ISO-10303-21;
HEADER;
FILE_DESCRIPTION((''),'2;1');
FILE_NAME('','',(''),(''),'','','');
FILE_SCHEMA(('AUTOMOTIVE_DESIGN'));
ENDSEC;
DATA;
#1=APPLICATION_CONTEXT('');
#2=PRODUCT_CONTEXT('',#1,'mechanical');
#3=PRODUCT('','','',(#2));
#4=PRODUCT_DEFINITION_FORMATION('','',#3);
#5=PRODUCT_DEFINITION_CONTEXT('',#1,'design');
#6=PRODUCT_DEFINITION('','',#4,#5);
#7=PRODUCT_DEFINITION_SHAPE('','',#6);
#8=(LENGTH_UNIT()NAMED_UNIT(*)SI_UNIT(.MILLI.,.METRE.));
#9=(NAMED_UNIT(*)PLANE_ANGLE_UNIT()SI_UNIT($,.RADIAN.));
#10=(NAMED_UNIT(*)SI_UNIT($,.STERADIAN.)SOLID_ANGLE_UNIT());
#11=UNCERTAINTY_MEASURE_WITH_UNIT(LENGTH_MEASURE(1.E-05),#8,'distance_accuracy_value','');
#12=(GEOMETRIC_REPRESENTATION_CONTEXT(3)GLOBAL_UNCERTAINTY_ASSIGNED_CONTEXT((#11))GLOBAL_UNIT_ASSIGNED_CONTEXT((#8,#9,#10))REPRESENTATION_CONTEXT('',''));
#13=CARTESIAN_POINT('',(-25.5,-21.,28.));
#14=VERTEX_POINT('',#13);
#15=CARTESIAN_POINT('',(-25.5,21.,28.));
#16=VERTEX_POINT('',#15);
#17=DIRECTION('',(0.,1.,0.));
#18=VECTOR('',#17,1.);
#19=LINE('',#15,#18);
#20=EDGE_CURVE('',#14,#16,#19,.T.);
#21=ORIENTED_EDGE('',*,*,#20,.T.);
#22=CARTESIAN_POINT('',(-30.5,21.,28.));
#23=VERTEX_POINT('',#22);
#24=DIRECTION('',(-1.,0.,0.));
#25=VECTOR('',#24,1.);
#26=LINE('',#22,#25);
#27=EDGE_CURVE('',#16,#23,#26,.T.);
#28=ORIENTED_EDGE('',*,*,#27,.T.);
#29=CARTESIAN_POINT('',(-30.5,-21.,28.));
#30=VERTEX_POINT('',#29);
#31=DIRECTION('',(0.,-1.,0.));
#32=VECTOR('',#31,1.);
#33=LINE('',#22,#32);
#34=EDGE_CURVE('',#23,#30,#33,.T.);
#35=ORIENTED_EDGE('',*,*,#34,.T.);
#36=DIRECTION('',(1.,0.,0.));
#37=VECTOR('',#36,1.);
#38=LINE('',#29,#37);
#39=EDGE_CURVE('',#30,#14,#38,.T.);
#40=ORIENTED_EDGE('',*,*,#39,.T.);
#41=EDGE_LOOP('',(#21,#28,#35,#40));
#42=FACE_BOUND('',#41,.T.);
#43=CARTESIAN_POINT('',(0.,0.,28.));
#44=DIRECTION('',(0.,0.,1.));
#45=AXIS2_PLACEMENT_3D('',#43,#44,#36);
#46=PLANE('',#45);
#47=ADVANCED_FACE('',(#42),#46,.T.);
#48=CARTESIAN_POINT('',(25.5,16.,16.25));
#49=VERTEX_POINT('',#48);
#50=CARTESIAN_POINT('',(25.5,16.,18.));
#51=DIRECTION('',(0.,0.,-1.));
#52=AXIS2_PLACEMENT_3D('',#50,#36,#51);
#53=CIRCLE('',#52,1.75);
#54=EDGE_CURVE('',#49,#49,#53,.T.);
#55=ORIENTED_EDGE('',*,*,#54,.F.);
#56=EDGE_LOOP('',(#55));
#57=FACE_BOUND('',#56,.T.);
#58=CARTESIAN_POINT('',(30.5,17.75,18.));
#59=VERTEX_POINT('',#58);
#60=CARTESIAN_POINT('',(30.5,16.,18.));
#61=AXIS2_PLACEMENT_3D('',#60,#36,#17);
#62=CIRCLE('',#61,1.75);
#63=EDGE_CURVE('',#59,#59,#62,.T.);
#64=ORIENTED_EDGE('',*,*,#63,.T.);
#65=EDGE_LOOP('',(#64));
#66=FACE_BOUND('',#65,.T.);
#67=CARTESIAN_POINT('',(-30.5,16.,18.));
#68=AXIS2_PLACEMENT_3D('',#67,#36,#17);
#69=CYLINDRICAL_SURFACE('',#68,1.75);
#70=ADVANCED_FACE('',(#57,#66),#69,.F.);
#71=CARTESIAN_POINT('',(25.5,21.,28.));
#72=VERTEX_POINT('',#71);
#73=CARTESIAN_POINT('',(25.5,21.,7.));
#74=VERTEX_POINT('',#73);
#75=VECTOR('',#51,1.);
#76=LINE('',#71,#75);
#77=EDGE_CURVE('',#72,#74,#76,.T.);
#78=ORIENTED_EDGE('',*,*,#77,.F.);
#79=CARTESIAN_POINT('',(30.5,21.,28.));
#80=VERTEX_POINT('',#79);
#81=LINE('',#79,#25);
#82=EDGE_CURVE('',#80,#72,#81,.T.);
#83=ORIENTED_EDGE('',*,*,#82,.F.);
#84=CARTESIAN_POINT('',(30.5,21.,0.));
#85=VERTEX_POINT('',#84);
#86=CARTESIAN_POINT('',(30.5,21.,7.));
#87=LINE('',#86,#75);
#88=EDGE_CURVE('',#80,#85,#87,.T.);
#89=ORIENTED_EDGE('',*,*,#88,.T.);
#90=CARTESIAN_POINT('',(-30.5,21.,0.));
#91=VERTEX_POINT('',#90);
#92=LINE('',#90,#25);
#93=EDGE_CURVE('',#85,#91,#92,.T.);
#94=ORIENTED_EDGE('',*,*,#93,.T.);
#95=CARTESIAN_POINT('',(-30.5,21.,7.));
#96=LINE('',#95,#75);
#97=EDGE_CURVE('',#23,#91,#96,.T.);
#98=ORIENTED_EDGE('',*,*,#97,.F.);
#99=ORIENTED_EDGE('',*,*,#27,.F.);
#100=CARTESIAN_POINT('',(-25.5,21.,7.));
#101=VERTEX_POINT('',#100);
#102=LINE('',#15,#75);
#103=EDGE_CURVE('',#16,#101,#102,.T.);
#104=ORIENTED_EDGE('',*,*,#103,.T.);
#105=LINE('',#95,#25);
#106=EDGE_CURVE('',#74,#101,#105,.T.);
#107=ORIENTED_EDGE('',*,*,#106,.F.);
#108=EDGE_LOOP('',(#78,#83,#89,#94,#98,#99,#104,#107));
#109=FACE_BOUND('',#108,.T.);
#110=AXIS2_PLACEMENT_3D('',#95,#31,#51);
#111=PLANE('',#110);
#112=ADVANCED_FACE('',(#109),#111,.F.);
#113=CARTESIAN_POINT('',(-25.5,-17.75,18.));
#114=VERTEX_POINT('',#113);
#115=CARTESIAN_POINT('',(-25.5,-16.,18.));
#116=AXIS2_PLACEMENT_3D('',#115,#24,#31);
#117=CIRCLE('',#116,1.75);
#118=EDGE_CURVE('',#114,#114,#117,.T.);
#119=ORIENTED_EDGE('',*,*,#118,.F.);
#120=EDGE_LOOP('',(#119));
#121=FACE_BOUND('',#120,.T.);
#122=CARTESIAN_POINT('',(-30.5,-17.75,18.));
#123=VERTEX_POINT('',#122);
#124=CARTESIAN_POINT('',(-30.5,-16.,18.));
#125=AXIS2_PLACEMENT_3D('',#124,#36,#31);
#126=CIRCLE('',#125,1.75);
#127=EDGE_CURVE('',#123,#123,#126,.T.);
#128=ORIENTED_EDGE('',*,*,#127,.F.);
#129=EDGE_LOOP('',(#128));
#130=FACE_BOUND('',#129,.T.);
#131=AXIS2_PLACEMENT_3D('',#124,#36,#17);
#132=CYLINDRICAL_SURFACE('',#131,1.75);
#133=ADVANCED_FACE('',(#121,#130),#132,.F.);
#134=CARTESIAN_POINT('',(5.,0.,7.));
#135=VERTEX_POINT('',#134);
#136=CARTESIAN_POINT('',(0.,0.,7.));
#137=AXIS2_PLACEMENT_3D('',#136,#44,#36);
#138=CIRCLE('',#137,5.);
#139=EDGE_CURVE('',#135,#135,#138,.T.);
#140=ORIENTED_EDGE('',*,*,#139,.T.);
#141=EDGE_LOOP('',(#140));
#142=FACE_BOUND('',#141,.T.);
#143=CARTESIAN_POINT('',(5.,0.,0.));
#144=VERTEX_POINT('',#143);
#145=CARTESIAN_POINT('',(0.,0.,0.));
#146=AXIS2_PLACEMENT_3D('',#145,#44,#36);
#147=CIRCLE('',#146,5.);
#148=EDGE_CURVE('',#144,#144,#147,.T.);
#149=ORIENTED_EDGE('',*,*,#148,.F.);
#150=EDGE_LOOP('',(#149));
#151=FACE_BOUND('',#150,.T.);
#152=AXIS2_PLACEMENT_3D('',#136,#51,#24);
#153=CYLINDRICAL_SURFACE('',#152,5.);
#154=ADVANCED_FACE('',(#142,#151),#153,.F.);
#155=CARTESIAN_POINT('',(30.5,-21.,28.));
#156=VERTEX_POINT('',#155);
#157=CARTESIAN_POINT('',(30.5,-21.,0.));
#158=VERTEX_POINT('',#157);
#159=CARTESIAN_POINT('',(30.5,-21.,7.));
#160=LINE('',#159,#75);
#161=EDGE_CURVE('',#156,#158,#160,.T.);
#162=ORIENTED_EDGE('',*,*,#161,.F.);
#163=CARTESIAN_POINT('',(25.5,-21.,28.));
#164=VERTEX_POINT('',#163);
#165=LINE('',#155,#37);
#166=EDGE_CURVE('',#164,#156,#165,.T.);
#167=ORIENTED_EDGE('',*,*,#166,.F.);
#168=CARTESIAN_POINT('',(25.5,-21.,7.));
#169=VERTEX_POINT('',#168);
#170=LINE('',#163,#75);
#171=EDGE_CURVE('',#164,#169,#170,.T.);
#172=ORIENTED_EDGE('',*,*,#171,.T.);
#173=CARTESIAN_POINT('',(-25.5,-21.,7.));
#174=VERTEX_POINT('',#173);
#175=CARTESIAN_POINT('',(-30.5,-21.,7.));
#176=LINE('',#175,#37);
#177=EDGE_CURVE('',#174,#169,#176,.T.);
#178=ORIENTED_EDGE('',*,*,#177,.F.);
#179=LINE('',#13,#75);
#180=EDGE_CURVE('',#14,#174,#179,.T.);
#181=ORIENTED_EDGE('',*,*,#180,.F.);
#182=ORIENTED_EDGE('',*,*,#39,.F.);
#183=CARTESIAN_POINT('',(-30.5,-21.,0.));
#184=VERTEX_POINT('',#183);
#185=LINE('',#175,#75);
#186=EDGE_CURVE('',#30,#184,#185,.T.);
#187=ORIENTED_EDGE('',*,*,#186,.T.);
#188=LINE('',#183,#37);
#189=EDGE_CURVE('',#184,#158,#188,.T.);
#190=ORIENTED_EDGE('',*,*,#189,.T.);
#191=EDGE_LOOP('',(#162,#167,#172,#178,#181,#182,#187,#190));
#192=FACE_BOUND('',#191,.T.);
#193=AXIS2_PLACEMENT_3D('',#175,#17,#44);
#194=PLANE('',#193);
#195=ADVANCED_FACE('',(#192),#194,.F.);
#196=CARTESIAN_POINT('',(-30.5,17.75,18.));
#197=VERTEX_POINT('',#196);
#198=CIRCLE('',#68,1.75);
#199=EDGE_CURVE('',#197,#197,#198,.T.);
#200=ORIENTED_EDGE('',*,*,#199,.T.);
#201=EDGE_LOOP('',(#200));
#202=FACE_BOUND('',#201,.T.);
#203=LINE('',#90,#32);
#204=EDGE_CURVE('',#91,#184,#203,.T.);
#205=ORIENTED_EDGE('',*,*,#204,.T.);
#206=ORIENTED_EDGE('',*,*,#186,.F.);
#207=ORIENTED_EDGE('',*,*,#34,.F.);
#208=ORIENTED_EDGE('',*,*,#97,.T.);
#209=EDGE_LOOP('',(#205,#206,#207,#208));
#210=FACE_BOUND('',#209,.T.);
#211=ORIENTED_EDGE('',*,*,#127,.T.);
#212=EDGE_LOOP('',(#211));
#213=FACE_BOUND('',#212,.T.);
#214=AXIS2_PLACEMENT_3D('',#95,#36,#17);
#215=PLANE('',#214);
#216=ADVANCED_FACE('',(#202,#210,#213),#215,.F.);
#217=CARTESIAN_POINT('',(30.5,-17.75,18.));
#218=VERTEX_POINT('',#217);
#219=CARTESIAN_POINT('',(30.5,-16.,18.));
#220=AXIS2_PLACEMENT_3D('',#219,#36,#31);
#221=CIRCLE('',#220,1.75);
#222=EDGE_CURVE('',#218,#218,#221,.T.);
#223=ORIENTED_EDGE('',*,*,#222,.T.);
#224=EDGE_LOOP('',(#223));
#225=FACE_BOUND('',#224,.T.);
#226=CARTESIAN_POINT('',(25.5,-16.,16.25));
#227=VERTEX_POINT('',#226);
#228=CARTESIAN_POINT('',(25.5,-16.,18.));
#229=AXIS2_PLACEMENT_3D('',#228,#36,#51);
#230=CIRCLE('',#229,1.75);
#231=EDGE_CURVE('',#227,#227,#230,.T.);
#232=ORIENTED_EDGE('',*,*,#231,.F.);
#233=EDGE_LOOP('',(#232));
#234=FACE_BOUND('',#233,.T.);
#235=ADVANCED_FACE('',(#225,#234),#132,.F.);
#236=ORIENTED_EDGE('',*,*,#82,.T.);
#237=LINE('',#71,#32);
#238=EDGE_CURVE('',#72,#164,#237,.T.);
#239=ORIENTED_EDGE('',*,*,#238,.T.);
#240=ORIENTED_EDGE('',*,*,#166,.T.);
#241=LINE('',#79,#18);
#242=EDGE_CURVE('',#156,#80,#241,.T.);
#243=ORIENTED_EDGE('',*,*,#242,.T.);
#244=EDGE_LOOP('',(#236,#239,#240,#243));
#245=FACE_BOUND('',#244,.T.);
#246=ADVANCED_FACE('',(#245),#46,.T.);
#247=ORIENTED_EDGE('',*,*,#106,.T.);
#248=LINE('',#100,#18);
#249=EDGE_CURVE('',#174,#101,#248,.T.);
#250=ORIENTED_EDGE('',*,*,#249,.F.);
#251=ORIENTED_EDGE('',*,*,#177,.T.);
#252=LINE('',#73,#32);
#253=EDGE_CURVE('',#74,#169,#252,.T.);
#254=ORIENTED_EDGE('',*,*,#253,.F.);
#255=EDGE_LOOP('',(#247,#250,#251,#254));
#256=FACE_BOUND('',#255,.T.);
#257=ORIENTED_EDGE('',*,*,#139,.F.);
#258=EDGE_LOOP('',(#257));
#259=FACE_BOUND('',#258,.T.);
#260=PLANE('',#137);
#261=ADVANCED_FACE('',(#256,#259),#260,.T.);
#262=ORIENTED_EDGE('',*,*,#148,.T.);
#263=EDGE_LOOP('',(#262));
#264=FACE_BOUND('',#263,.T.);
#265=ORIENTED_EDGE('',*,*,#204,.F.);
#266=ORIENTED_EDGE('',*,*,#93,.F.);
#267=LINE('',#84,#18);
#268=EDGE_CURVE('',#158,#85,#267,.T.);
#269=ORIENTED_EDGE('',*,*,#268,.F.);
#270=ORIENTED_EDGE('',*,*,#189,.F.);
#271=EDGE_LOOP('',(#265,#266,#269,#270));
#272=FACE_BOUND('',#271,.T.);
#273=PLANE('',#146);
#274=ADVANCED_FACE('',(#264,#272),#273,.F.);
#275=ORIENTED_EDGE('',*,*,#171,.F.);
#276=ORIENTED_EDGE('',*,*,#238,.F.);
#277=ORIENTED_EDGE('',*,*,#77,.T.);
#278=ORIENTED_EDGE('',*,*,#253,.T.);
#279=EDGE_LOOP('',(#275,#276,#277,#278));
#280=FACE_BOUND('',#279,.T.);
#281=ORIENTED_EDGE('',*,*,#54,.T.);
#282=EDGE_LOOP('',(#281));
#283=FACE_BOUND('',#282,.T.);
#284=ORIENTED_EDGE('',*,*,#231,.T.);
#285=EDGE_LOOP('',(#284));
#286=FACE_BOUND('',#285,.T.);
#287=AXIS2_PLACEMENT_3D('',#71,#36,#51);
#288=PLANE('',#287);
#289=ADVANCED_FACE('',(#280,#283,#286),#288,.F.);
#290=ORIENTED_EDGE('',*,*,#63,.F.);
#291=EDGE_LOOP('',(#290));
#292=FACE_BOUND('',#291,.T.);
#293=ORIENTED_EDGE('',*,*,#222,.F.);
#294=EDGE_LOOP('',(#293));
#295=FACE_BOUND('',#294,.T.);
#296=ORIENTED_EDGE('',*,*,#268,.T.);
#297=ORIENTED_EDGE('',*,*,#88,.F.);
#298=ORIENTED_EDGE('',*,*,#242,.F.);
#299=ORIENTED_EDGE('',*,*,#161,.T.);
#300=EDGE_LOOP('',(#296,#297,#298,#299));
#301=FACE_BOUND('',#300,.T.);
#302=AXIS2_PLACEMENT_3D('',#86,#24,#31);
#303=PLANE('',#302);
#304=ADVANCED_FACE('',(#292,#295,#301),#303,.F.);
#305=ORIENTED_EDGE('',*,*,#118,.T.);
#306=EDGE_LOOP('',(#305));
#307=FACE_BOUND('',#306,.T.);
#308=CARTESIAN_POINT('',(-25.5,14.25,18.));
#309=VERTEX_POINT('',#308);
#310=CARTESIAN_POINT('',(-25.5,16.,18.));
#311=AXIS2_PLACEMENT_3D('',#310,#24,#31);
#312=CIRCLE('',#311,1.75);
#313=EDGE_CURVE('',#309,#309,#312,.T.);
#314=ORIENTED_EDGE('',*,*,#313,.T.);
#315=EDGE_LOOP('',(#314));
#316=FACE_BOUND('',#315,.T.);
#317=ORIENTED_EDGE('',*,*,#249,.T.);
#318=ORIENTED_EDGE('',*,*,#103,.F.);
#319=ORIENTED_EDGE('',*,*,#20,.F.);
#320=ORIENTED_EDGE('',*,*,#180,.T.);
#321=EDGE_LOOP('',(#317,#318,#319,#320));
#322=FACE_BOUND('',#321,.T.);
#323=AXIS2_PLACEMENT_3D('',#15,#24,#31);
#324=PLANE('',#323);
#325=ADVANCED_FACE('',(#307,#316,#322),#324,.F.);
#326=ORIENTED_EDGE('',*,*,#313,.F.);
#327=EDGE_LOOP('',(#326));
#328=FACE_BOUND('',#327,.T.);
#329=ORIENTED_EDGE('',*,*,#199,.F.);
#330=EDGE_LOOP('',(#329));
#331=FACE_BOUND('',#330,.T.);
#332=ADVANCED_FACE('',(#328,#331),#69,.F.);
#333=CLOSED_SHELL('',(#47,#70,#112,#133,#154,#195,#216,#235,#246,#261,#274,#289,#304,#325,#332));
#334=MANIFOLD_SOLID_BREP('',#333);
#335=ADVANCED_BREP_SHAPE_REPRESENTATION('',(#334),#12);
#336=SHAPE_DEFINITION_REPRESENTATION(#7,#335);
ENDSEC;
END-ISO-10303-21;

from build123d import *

# Parameters (mm, degrees)
SKETCH1_W           = 61
SKETCH1_H           = 42
SKETCH1_R           = 5
BOSS_EXTRUDE1_DEPTH = 7
SKETCH2_W           = 5
SKETCH2_H           = 42
BOSS_EXTRUDE2_DEPTH = 21
SKETCH3_R           = 1.75
CUT_EXTRUDE1_DEPTH  = 71.32780389


with BuildPart() as part:
    # Sketch1 → Boss-Extrude1 (new body)
    with BuildSketch(Plane.XY):
        Rectangle(SKETCH1_W, SKETCH1_H)
        Circle(SKETCH1_R, mode=Mode.SUBTRACT)
    extrude(amount=BOSS_EXTRUDE1_DEPTH)

    # Sketch2 → Boss-Extrude2 (add)
    with BuildSketch(Plane.XY.offset(7)):
        with Locations((-28, 0)):
            Rectangle(SKETCH2_W, SKETCH2_H)
        with Locations((28, 0)):
            Rectangle(SKETCH2_W, SKETCH2_H)
    extrude(amount=BOSS_EXTRUDE2_DEPTH)

    # Sketch3 → Cut-Extrude1 (cut, through all)
    with BuildSketch(Plane(origin=(30.5, 0, 0), x_dir=(0, 0, -1), z_dir=(1, 0, 0))):
        with Locations(Location((-18, 16, 0), (0, 0, 90))):
            Circle(SKETCH3_R)
        with Locations((-18, -16)):
            Circle(SKETCH3_R)
    extrude(amount=-CUT_EXTRUDE1_DEPTH, mode=Mode.SUBTRACT)


solid = part.part
